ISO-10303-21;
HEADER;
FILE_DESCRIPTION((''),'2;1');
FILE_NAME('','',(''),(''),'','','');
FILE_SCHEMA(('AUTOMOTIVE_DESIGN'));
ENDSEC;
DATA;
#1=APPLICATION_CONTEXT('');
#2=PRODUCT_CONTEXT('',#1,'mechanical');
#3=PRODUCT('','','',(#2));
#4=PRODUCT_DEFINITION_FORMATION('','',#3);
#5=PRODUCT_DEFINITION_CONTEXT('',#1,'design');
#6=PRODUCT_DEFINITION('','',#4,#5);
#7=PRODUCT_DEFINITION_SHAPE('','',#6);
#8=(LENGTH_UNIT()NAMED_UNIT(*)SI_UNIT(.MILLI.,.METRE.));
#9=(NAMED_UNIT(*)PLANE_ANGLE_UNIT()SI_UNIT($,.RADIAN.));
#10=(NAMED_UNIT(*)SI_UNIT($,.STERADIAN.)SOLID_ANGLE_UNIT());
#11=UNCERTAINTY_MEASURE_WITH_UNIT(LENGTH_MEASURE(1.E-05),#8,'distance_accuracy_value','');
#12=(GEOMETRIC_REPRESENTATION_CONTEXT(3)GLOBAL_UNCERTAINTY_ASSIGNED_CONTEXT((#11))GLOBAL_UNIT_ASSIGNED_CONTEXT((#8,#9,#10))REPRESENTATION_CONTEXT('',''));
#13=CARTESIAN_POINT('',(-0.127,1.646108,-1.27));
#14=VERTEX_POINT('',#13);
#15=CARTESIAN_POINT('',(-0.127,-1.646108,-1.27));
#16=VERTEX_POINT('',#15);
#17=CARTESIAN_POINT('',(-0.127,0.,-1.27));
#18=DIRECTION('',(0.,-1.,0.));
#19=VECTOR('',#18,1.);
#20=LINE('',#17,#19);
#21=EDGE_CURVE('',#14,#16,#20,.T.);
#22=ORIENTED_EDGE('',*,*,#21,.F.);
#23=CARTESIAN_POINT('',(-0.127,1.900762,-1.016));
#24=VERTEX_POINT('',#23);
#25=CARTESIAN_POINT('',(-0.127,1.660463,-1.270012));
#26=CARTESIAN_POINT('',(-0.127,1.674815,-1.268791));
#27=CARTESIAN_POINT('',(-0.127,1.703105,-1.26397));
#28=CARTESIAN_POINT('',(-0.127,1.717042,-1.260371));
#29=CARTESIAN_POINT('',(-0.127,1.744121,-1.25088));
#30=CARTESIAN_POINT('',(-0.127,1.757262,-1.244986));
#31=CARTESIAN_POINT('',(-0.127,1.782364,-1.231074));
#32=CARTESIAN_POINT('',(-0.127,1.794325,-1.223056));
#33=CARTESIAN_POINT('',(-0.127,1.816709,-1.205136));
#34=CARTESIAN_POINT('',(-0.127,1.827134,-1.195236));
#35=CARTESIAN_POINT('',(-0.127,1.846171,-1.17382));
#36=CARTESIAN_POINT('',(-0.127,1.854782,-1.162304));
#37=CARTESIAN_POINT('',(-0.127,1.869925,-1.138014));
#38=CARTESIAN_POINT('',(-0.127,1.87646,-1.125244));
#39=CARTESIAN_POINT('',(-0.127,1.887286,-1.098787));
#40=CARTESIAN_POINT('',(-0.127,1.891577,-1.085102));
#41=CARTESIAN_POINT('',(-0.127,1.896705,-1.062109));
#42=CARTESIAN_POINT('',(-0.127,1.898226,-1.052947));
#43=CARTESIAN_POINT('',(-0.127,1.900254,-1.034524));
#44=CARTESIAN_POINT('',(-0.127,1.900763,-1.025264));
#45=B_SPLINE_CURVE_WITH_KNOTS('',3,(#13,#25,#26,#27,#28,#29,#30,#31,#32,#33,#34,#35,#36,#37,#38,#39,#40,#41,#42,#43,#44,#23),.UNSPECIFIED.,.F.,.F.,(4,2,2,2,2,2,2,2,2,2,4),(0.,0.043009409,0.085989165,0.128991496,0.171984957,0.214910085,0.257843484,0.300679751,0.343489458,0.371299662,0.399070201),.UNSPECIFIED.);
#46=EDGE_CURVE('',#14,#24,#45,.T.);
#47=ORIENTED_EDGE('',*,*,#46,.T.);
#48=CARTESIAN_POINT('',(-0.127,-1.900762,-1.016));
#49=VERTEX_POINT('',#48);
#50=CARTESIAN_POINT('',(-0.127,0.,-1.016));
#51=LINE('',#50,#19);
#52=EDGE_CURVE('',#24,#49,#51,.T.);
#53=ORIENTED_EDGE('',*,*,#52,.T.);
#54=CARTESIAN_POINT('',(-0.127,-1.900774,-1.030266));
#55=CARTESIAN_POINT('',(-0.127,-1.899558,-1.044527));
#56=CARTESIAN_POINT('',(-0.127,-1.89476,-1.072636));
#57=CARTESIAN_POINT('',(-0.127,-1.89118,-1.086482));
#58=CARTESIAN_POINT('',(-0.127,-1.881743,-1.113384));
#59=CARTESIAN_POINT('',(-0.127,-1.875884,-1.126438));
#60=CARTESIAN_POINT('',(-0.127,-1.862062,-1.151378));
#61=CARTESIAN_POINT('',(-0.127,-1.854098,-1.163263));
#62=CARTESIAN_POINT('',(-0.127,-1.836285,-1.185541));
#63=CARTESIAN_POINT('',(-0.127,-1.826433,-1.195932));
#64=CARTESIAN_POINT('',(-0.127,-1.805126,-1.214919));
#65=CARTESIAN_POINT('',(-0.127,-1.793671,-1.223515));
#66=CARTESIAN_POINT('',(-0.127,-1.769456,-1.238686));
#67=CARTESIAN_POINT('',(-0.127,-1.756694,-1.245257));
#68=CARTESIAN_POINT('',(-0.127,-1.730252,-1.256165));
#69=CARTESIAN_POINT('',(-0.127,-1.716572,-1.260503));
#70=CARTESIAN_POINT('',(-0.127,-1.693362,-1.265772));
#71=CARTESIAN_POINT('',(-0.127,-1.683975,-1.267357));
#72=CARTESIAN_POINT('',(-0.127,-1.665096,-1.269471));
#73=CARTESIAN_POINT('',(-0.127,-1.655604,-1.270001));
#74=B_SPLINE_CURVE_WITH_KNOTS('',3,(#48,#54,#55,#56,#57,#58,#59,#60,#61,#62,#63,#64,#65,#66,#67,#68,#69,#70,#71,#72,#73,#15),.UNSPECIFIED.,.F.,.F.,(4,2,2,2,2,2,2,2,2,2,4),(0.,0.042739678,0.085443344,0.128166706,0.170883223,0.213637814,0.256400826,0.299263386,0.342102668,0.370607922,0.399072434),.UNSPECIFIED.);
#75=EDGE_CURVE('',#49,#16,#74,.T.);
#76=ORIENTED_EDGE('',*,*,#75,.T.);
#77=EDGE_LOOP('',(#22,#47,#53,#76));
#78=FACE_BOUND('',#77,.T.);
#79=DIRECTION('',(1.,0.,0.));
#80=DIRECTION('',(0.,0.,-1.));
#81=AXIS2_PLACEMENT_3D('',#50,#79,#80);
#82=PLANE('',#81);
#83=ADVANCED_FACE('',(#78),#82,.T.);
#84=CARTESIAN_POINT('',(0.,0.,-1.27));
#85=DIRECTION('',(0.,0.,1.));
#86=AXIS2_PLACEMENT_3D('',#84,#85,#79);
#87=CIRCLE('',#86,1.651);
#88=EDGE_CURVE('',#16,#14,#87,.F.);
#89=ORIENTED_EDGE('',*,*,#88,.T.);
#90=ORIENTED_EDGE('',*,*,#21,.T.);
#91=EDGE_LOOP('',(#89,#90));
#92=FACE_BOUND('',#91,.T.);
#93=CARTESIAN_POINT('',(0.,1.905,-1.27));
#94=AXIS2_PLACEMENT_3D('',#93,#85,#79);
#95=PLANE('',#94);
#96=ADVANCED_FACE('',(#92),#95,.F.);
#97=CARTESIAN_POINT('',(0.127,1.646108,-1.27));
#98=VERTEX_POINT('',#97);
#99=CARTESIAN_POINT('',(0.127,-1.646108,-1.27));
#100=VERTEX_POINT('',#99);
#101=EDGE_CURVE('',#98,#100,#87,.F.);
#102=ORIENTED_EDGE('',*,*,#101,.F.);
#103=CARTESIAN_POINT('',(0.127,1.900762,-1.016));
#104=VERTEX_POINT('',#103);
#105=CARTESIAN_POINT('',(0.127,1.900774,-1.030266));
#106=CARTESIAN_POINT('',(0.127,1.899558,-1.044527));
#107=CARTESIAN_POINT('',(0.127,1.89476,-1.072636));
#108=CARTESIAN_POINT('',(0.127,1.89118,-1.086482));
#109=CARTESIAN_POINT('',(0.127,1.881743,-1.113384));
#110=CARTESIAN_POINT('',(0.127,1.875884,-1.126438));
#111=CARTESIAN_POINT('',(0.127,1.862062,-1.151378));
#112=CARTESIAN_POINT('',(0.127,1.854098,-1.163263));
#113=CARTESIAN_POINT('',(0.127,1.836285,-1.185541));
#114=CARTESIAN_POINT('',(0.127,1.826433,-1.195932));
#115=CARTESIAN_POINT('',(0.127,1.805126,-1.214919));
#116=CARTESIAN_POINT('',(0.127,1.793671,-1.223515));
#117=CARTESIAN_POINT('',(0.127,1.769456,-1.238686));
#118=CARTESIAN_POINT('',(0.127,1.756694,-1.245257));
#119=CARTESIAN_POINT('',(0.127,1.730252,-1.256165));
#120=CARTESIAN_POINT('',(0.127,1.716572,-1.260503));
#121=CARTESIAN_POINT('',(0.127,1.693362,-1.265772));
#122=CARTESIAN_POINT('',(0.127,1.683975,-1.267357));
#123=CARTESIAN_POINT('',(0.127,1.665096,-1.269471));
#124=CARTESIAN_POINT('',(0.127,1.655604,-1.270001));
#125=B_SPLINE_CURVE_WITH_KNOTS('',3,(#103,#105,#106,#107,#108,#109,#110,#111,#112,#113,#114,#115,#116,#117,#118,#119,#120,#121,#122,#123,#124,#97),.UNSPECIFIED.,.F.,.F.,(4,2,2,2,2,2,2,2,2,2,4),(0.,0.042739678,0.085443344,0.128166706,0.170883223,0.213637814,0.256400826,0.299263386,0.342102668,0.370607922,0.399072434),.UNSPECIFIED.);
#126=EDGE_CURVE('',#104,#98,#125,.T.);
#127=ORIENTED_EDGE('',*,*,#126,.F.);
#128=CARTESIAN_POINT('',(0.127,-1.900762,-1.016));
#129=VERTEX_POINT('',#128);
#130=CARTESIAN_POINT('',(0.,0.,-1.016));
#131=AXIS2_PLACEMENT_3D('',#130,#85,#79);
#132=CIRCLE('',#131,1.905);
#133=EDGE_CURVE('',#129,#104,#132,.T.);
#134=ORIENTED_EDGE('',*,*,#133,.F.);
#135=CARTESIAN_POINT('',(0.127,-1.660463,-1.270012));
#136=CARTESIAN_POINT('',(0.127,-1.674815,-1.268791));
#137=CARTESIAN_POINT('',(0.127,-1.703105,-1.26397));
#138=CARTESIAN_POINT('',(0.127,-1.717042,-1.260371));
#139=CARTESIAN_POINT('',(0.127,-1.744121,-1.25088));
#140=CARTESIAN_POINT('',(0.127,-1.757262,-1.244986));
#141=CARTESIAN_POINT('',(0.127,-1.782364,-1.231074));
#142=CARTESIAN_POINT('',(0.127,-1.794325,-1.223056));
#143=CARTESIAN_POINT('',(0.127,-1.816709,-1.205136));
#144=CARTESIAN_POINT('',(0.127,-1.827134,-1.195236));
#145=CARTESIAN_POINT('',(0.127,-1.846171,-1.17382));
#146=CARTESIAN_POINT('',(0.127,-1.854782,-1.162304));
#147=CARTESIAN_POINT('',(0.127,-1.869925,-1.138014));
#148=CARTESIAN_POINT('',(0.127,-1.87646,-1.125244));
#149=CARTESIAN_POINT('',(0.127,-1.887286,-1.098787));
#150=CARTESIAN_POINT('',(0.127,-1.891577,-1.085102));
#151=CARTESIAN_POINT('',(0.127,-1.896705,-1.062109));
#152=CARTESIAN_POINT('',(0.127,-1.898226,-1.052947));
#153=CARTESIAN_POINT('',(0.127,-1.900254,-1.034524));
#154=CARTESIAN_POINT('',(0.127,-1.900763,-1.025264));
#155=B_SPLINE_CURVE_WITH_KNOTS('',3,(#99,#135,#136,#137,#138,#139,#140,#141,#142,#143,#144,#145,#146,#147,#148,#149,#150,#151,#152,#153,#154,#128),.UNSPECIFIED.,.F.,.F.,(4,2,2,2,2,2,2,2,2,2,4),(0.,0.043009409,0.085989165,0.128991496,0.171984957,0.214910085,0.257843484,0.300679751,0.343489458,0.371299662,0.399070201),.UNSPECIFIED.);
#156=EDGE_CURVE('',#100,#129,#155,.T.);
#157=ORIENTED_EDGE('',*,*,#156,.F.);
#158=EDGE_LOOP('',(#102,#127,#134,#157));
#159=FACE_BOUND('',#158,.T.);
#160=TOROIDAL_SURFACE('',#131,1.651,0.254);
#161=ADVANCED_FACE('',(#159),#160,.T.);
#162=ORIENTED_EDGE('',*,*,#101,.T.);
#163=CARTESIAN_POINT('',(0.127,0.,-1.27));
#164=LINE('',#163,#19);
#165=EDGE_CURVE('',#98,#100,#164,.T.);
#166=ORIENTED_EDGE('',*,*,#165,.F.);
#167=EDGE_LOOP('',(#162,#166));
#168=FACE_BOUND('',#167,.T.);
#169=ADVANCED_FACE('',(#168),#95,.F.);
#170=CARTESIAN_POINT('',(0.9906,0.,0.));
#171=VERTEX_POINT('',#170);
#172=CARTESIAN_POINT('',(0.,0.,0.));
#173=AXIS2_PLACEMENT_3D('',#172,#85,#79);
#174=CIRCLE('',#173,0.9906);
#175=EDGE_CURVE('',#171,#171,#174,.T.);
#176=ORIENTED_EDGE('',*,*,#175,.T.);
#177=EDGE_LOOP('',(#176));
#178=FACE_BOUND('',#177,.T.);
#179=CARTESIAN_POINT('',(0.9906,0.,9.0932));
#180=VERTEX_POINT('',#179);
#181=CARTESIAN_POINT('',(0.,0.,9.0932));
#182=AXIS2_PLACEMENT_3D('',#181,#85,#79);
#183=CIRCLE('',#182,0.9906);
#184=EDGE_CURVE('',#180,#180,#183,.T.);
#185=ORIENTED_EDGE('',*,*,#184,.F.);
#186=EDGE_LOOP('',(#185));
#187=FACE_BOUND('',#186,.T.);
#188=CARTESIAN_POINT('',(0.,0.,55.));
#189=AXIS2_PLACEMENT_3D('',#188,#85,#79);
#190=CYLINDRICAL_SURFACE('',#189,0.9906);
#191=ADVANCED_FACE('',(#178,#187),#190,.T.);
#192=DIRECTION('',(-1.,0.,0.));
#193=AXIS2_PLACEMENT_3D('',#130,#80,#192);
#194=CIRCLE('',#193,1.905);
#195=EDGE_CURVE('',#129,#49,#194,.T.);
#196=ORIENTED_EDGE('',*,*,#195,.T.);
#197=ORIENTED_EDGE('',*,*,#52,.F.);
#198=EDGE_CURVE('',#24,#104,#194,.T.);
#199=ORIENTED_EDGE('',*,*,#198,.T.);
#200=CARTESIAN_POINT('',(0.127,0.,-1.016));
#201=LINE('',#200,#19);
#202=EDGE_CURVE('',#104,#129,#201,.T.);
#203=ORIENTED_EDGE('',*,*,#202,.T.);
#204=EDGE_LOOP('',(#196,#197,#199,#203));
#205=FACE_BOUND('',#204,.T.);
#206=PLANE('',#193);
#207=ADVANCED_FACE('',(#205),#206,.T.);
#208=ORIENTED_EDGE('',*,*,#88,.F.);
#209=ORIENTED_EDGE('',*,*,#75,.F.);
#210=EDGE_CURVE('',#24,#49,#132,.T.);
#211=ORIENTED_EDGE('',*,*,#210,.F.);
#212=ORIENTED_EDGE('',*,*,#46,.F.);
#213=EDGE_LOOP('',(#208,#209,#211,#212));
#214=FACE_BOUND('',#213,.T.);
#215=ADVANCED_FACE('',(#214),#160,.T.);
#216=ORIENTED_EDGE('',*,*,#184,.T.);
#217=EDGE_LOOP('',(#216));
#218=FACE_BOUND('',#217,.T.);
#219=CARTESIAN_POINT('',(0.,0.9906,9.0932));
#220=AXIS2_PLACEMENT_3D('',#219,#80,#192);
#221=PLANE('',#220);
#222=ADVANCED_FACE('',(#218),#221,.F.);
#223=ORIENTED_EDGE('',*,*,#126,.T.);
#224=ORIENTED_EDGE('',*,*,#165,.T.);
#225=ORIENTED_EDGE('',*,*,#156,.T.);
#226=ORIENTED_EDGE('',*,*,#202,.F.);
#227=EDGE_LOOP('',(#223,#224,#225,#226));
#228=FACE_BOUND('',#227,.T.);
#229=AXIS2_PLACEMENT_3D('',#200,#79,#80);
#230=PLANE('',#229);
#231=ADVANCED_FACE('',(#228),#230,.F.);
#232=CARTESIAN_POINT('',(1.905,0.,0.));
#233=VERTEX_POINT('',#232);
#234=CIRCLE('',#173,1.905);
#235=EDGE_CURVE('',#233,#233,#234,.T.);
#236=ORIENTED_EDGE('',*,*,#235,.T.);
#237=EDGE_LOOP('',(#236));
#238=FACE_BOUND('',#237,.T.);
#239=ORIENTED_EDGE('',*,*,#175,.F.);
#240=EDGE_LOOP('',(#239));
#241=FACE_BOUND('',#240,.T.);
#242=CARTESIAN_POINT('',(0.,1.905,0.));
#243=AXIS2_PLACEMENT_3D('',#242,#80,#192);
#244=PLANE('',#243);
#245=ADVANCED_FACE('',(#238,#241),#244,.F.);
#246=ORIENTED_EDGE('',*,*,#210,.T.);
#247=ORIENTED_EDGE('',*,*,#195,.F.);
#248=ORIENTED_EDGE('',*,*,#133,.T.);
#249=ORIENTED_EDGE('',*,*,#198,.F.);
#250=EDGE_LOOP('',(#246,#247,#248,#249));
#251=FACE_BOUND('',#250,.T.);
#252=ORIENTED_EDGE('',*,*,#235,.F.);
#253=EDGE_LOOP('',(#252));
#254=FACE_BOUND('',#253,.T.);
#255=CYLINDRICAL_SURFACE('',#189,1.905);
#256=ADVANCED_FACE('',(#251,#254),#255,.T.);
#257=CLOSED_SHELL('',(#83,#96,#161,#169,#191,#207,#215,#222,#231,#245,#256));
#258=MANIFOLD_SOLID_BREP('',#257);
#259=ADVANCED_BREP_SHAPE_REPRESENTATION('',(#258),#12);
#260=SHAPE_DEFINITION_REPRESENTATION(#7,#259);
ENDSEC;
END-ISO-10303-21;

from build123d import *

# Parameters (mm, degrees)
CUT_EXTRUDE1_DEPTH = 0.254
FILLET1_R          = 0.254


with BuildPart() as part:
    # Sketch3 → Revolve1 (revolve)
    with BuildSketch(Plane(origin=(0, 0, 0), x_dir=(0, 0, -1), z_dir=(1, 0, 0)), mode=Mode.PRIVATE) as revolve1_sk:
        Polygon((0, 1.905), (1.27, 1.905), (1.27, 0), (0, 0), (-9.0932, 0), (-9.0932, 0.9906), (0, 0.9906), align=None)
    revolve(revolve1_sk.sketch.rotate(Axis((0, 0, 55), (0, 0, -1)), 90), axis=Axis((0, 0, 55), (0, 0, -1)))

    # Sketch4 → Cut-Extrude1 (cut)
    with BuildSketch(Plane(origin=(0, 0, -1.27), x_dir=(-1, 0, 0), z_dir=(0, 0, -1))):
        with BuildLine():
            Line((0, -1.905), (0, 1.905))
            ThreePointArc((0, 1.905), (-0.063535, 1.90394), (-0.127, 1.900762))
            Line((-0.127, 1.900762), (-0.127, -1.900762))
            ThreePointArc((-0.127, -1.900762), (-0.063535, -1.90394), (0, -1.905))
        make_face()
        with BuildLine():
            ThreePointArc((0.127, 1.900762), (0.063535, 1.90394), (0, 1.905))
            Line((0, 1.905), (0, -1.905))
            ThreePointArc((0, -1.905), (0.063535, -1.90394), (0.127, -1.900762))
            Line((0.127, -1.900762), (0.127, 1.900762))
        make_face()
    extrude(amount=-CUT_EXTRUDE1_DEPTH, mode=Mode.SUBTRACT)

    # Fillet1
    fillet1_edges = [part.edges().sort_by_distance(p)[0] for p in [
        (-1.905, 0, -1.27),
        (1.391215, 1.301363, -1.27),
    ]]
    fillet(fillet1_edges, radius=FILLET1_R)


solid = part.part
